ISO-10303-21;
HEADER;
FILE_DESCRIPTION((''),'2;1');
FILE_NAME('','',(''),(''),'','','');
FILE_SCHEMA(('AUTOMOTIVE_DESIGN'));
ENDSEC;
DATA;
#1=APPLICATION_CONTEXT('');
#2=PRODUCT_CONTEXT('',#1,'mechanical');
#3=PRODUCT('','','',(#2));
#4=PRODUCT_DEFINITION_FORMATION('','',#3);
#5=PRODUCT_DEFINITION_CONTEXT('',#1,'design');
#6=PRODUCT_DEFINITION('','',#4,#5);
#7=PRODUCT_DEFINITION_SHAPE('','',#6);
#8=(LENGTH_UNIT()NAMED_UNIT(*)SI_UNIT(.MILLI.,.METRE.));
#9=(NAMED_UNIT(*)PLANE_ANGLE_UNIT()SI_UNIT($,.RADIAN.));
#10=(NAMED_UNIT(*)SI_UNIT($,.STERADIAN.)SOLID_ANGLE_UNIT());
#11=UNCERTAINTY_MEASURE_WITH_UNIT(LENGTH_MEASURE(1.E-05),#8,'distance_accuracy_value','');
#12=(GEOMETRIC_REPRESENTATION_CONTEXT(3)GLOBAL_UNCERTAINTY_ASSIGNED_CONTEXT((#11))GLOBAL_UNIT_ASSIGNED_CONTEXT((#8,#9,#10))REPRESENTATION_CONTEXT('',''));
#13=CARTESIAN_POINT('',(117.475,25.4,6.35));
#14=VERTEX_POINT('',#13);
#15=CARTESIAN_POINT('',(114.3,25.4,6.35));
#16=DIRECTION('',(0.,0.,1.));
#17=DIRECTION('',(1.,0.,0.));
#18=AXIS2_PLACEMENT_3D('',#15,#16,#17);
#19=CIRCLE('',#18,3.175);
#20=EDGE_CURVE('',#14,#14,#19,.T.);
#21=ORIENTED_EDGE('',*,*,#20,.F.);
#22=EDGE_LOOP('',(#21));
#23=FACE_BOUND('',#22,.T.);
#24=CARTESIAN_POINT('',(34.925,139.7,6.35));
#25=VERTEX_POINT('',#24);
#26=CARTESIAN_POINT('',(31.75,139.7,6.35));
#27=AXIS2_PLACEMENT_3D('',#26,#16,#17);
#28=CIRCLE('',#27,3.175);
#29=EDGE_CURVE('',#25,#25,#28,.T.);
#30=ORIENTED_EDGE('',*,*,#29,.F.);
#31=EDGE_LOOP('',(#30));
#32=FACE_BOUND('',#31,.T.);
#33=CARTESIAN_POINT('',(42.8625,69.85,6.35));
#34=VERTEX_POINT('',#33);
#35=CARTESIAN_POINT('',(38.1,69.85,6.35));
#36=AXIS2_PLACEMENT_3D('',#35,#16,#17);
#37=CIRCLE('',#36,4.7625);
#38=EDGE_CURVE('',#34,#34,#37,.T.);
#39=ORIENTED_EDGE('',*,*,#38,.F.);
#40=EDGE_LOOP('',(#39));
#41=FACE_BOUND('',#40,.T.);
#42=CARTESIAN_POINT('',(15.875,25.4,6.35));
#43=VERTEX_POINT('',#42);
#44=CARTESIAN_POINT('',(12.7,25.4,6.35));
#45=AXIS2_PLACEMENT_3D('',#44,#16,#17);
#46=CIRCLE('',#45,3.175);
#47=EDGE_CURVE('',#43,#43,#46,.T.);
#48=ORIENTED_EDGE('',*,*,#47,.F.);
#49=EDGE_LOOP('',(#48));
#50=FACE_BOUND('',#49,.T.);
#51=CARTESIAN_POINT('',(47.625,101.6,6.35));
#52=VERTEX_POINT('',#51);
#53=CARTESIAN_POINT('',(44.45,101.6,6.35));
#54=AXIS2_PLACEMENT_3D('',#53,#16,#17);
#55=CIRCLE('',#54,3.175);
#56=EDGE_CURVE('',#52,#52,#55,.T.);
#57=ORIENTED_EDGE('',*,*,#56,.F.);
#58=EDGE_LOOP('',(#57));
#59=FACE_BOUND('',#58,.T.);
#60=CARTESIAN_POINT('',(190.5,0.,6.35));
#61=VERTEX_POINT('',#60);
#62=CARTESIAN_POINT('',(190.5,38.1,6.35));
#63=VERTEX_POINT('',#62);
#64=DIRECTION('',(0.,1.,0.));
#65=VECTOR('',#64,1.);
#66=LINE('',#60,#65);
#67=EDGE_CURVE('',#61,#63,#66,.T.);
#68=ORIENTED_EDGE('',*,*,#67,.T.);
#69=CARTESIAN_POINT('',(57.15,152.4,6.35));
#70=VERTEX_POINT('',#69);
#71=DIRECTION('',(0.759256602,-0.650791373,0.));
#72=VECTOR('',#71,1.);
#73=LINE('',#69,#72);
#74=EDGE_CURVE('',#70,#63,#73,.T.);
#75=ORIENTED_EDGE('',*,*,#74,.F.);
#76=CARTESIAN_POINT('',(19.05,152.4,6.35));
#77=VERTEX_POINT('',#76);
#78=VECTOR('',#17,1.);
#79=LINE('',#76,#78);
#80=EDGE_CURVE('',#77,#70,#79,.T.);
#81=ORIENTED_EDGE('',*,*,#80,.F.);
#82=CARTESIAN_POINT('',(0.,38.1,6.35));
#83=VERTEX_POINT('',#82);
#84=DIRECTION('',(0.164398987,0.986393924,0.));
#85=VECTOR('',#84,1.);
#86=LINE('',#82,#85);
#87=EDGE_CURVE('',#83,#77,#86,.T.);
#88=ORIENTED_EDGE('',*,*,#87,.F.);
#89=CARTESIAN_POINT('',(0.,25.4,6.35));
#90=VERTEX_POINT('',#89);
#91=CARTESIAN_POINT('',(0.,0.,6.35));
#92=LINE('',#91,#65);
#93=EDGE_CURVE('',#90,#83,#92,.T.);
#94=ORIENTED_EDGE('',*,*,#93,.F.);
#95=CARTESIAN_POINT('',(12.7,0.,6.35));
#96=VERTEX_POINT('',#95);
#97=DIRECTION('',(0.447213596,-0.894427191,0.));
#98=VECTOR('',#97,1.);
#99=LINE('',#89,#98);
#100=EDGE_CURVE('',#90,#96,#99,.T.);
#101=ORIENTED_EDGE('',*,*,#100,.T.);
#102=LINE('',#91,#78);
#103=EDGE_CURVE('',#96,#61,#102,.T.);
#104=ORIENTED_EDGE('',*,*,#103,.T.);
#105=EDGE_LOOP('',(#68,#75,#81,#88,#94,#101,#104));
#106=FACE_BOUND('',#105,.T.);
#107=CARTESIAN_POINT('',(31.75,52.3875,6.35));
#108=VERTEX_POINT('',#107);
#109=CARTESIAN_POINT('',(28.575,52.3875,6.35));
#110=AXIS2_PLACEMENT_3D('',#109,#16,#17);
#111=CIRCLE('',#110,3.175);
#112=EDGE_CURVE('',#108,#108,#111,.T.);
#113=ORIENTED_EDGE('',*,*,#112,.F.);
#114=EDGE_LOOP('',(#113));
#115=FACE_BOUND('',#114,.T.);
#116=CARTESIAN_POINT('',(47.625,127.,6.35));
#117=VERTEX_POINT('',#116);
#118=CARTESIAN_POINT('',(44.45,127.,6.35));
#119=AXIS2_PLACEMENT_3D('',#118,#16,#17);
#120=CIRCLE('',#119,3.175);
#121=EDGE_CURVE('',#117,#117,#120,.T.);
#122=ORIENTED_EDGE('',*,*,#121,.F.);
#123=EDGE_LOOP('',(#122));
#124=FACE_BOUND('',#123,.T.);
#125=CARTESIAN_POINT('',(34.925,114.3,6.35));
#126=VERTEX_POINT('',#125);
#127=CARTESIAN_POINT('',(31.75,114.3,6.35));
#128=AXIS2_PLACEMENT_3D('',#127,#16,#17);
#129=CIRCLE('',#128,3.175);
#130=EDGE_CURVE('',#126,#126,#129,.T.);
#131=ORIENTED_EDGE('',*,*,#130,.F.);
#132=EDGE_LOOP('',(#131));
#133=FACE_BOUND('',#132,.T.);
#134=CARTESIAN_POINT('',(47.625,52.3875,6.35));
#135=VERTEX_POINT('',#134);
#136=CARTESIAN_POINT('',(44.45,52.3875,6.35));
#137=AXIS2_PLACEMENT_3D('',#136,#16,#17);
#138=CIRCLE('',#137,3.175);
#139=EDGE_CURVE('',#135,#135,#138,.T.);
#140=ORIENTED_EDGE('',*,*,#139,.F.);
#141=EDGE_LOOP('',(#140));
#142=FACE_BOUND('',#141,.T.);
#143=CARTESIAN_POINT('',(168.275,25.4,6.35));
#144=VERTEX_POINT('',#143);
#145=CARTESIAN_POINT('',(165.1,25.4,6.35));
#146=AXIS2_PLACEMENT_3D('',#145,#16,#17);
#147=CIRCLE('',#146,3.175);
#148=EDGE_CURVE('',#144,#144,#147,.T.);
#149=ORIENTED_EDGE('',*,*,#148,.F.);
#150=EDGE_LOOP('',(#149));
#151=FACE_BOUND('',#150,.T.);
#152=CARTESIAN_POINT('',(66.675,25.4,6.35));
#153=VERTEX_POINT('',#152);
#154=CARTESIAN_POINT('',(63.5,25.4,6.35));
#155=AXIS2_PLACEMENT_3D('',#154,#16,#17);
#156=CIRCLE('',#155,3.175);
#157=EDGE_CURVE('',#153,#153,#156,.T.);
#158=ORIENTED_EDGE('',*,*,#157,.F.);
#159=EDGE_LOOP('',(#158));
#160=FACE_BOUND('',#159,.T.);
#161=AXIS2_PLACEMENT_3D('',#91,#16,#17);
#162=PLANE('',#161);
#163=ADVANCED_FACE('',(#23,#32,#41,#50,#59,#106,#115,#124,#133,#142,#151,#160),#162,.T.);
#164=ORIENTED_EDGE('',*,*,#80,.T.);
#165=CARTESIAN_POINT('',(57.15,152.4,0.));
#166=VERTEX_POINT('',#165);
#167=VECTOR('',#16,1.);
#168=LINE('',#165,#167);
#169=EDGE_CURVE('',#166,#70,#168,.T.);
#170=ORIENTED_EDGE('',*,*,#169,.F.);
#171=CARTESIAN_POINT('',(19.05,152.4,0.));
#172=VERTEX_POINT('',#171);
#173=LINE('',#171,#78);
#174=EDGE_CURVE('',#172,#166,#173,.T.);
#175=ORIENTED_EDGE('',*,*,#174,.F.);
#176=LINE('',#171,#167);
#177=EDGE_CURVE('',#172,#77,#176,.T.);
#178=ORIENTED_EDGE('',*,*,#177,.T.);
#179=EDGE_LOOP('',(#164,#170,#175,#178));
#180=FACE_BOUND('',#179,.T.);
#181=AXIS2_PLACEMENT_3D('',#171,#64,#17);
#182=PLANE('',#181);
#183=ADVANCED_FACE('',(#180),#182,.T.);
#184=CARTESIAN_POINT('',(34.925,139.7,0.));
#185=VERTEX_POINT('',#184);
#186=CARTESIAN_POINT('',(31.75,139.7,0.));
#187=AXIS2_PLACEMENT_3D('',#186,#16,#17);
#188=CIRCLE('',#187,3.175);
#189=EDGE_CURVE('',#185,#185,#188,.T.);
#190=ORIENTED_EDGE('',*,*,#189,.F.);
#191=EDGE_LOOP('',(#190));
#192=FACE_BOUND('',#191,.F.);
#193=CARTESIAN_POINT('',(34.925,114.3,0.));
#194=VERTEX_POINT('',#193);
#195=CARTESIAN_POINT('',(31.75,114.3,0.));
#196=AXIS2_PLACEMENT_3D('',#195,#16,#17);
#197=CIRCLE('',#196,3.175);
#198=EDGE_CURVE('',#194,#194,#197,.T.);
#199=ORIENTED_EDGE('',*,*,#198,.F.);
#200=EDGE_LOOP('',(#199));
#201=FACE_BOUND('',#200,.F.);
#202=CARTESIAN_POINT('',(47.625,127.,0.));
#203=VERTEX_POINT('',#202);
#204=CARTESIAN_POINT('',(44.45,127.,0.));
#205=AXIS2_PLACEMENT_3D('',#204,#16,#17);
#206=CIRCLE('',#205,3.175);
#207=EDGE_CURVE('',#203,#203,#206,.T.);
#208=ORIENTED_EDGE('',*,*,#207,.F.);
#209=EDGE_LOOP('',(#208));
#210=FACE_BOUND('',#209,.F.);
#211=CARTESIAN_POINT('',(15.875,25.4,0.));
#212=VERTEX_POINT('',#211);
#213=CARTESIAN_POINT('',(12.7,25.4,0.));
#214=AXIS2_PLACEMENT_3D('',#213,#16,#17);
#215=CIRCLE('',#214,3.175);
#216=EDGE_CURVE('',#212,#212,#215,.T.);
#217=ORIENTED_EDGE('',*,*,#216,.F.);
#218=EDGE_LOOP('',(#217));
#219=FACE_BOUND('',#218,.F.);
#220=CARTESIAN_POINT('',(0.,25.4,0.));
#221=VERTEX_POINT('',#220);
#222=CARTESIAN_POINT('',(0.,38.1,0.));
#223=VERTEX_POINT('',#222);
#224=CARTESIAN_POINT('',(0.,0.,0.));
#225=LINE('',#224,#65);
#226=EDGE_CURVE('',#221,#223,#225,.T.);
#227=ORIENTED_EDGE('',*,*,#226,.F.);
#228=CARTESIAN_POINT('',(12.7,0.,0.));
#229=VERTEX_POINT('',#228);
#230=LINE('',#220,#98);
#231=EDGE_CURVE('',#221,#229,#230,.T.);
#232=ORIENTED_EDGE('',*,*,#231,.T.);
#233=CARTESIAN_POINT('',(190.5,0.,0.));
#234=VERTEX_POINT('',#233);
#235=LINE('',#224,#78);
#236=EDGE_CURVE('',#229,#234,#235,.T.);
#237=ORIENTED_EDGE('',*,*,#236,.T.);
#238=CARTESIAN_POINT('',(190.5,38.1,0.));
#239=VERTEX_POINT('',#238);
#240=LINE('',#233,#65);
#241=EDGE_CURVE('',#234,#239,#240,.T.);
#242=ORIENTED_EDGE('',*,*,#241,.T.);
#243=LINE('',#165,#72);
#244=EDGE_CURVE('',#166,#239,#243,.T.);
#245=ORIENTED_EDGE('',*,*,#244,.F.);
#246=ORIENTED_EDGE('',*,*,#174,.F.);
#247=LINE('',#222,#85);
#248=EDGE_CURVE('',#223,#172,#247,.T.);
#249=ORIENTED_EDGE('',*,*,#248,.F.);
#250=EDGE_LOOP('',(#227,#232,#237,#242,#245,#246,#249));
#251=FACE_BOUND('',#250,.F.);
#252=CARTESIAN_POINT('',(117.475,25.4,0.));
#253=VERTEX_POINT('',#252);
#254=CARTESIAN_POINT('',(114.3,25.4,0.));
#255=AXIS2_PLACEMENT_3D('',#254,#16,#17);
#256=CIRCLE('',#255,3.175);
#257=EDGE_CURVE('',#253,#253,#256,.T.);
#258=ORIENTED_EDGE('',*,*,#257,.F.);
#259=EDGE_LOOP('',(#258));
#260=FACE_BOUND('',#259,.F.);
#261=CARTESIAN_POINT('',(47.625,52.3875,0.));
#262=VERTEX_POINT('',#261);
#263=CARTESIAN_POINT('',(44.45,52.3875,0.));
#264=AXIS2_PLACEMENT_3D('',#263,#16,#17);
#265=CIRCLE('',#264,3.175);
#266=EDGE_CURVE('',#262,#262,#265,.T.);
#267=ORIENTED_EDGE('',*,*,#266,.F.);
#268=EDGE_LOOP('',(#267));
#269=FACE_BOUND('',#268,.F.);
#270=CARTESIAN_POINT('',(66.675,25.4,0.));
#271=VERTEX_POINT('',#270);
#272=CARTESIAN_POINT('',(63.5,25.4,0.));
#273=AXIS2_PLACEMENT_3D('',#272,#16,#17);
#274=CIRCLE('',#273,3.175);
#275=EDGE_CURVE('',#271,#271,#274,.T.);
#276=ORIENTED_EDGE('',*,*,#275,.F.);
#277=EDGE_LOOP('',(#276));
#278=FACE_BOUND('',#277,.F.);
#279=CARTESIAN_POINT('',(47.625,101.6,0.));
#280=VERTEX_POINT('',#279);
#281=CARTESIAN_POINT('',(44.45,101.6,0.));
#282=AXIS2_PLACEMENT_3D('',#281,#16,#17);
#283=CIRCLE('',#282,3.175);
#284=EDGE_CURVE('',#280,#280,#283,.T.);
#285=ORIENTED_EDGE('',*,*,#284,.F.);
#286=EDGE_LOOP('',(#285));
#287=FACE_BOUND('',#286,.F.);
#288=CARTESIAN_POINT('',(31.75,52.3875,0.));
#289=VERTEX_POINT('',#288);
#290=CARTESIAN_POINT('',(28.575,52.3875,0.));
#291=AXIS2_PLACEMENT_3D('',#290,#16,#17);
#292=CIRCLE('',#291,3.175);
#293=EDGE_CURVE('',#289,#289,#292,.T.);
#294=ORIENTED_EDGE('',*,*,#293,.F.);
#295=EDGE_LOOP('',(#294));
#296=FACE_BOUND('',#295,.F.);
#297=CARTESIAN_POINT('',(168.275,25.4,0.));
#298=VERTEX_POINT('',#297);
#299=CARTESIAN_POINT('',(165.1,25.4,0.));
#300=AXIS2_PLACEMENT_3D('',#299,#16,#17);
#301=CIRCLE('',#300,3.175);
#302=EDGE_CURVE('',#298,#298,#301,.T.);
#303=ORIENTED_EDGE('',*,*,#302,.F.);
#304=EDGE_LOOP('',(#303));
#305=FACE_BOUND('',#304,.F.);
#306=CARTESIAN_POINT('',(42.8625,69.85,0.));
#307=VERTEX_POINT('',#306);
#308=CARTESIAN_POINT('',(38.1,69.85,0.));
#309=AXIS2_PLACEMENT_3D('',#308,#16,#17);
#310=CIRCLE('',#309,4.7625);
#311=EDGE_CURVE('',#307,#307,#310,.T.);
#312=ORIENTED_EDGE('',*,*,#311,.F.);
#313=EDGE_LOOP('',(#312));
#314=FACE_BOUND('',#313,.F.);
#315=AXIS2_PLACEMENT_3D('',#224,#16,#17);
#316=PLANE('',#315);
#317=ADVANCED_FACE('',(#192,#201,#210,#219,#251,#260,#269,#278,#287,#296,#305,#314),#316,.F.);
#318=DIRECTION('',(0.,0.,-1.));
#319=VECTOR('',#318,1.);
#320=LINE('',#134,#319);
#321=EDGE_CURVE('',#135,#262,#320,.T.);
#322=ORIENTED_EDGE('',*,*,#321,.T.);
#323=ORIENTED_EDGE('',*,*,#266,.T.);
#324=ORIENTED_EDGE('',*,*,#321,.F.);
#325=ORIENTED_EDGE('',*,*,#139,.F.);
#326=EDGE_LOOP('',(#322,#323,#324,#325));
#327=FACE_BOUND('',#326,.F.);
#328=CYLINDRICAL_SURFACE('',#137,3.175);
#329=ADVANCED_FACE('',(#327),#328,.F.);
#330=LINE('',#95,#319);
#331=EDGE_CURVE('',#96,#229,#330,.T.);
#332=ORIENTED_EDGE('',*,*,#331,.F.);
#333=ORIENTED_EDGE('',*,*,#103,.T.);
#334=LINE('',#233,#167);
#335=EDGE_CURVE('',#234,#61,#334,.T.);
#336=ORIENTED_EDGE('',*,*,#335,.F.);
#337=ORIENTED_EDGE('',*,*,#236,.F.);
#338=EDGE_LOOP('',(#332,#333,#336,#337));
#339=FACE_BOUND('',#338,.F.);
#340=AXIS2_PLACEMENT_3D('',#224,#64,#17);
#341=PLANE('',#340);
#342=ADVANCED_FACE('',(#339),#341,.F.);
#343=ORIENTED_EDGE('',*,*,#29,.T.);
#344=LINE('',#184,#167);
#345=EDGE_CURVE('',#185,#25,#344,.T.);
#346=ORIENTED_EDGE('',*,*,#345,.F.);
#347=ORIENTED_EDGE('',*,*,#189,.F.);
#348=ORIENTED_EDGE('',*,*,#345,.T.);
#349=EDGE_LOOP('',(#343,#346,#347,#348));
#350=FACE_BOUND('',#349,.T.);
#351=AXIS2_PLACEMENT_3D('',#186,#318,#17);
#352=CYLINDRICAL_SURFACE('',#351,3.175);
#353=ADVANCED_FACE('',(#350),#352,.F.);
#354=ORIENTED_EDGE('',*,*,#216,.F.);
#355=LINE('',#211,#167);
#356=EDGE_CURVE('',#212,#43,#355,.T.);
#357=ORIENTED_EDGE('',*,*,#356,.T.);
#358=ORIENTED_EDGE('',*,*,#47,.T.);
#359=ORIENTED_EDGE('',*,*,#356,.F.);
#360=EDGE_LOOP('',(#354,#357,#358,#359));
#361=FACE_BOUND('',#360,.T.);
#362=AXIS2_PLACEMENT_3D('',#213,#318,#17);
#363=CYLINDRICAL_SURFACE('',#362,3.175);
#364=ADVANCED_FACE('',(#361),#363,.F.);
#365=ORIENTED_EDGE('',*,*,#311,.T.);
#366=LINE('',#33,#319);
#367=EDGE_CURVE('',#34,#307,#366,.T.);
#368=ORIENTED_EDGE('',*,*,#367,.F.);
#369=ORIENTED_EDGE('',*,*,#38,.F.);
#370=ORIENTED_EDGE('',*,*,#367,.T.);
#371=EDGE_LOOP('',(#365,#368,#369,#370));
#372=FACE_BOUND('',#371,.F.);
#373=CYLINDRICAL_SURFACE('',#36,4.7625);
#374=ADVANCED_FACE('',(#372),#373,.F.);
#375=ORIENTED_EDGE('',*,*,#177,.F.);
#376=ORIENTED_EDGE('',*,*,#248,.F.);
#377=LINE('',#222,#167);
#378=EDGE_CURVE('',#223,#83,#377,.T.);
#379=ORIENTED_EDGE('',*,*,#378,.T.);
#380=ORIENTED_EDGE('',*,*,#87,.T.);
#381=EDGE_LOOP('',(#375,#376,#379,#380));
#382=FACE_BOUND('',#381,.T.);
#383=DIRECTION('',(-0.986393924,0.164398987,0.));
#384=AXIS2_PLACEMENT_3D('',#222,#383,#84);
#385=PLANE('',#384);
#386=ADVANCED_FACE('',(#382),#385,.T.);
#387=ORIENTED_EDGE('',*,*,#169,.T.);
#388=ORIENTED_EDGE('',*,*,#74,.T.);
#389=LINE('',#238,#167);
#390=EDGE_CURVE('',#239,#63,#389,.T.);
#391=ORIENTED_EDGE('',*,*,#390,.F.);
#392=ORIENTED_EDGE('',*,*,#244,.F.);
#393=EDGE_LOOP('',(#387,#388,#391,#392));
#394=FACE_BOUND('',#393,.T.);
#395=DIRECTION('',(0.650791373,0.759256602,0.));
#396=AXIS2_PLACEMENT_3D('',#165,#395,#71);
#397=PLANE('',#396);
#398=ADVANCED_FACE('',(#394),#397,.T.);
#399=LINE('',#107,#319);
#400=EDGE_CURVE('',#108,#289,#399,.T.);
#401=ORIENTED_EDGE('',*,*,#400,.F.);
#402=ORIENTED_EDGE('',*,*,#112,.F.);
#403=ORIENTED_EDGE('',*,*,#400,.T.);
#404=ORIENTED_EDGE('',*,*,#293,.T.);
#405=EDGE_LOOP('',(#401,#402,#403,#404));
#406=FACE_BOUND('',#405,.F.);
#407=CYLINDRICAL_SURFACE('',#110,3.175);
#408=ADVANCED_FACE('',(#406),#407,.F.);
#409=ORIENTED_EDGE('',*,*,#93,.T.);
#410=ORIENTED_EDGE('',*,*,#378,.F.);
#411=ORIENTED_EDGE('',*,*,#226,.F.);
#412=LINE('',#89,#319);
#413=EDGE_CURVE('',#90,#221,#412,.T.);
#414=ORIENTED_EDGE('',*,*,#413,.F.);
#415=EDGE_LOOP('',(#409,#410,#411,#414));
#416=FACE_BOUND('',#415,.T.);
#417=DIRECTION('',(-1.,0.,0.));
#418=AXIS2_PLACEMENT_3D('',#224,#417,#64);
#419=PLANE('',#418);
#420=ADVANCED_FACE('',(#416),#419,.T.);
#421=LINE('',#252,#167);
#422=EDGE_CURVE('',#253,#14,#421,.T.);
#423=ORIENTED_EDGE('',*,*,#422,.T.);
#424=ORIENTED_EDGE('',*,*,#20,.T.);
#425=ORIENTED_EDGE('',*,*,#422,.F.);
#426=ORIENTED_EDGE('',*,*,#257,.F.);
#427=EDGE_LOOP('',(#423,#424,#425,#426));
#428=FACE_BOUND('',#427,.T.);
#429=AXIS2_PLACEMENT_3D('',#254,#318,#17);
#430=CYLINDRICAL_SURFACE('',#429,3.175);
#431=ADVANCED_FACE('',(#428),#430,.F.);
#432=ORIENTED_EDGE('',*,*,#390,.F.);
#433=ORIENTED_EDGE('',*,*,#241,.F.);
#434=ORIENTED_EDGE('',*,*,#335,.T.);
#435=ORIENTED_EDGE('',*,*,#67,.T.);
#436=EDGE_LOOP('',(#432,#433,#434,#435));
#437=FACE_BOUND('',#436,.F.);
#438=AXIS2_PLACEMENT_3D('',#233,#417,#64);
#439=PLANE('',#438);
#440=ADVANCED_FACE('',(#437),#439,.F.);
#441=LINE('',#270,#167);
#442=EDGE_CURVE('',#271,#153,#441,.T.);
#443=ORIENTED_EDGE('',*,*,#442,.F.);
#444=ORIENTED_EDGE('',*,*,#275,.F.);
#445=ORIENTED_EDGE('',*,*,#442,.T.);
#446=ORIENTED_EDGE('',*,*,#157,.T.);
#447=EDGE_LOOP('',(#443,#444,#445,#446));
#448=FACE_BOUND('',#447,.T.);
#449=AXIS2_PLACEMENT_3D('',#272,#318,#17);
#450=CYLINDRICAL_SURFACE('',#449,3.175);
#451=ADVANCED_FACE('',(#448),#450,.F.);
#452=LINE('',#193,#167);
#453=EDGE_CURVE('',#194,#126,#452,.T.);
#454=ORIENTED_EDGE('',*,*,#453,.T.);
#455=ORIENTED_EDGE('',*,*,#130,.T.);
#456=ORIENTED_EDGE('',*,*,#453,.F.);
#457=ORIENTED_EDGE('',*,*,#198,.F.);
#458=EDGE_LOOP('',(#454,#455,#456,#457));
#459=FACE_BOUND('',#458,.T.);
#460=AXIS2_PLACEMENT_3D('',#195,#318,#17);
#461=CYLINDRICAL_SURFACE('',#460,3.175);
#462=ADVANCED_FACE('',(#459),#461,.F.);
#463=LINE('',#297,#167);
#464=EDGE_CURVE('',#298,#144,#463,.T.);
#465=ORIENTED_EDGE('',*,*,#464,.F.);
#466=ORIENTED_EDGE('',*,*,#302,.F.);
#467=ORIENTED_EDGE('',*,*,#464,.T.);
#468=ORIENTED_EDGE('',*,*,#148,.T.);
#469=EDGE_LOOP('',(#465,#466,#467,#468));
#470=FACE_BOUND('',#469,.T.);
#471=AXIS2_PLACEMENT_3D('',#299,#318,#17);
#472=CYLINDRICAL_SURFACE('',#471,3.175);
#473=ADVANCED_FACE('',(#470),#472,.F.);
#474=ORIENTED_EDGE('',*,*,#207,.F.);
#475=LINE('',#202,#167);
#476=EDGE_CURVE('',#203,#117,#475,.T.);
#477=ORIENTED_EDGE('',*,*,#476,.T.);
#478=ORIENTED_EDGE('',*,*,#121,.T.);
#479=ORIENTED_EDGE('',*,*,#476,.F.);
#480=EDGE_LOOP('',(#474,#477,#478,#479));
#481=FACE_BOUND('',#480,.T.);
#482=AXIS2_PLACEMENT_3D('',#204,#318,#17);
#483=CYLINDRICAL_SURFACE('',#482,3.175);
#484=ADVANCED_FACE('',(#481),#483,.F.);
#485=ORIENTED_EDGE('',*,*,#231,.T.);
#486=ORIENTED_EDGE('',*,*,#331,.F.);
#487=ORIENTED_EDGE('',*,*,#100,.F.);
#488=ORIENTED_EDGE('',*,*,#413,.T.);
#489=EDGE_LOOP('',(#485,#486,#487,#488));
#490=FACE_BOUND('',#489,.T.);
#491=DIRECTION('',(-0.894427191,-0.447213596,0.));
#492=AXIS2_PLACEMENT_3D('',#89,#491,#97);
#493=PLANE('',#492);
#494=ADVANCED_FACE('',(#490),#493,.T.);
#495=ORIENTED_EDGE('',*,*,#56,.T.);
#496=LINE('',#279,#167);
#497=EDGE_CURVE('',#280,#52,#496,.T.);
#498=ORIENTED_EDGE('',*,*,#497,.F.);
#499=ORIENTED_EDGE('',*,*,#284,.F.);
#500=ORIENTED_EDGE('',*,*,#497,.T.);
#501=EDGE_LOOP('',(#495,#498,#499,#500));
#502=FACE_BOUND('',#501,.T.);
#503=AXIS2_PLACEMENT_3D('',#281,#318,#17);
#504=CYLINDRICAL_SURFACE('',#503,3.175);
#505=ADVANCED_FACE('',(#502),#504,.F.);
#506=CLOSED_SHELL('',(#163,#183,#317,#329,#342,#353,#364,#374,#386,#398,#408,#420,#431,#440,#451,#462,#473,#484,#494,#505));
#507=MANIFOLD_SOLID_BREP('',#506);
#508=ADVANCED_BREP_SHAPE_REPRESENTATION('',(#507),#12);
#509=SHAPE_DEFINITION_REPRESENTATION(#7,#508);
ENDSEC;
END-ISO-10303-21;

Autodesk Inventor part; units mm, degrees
ref_plane "YZ Plane" through (0, 0, 0) normal (1, 0, 0) x (0, 1, 0)
ref_plane "XZ Plane" through (0, 0, 0) normal (0, 1, 0) x (-1, 0, 0)
ref_plane "XY Plane" through (0, 0, 0) normal (0, 0, 1) x (1, 0, 0)
sketch "Sketch1" plane through (0, 0, 0) normal (0, 0, 1) x (1, 0, 0)
  line L0 (0, 0) -> (190.5, 0) construction
  line L1 (190.5, 0) -> (190.5, 152.4) construction
  line L2 (190.5, 152.4) -> (0, 152.4) construction
  line L3 (0, 152.4) -> (0, 0) construction
  line L4 (0, 0) -> (190.5, 0)
  line L5 (0, 0) -> (0, 38.1)
  line L6 (0, 0) -> (38.1, 0) construction
  line L7 (190.5, 0) -> (190.5, 38.1)
  line L8 (190.5, 0) -> (228.6, 0) construction
  line L9 (190.5, 152.4) -> (57.15, 152.4) construction
  line L10 (190.5, 152.4) -> (323.85, 152.4) construction
  line L11 (57.15, 152.4) -> (19.05, 152.4) construction
  line L12 (0, 38.1) -> (19.05, 152.4)
  line L13 (19.05, 152.4) -> (57.15, 152.4)
  line L14 (57.15, 152.4) -> (190.5, 38.1)
  circle A0 centre (12.7, 25.4) radius 3.175
  circle A1 centre (63.5, 25.4) radius 3.175
  circle A2 centre (31.75, 139.7) radius 3.175
  circle A3 centre (44.45, 127) radius 3.175
  circle A4 centre (31.75, 114.3) radius 3.175
  circle A5 centre (44.45, 101.6) radius 3.175
  circle A6 centre (114.3, 25.4) radius 3.175
  circle A7 centre (165.1, 25.4) radius 3.175
  dimension "d0" = 190.5
  dimension "d1" = 152.4
  dimension "d2" = 12.7
  dimension "d3" = 50.8
  dimension "d8" = 25.4
  dimension "d9" = 25.4
  dimension "d10" = 38.1
  dimension "d11" = 90
  dimension "d12" = 38.1
  dimension "d13" = 90
  dimension "d14" = 133.35
  dimension "d15" = 180
  dimension "d16" = 38.1
  dimension "d17" = 12.7
  dimension "d18" = 12.7
  dimension "d19" = 12.7
  dimension "d20" = 12.7
  dimension "d21" = 12.7
  dimension "d22" = 25.4
  dimension "d23" = 38.1
  dimension "d24" = 50.8
  dimension "d25" = 6.35
  dimension "d26" = 6.35
  dimension "d29" = 6.35
  dimension "d30" = 6.35
  dimension "d31" = 6.35
  dimension "d32" = 6.35
  dimension "d35" = 50.8
  dimension "d36" = 50.8
  dimension "d38" = 6.35
  dimension "d39" = 6.35
  dimension "d46" = 25.4
  dimension "d47" = 25.4
extrude "Extrusion4" add sketch "Sketch1" along normal blind 6.35
sketch "Sketch3" plane through (0, 0, 6.35) normal (0, 0, 1) x (1, 0, 0)
  line L0 (0, 0) -> (0, 25.4)
  line L1 (0, 38.1) -> (0, 0) projected
  line L2 (0, 0) -> (12.7, 0)
  line L3 (0, 0) -> (190.5, 0) projected
  line L4 (0, 25.4) -> (12.7, 0)
  dimension "d50" = 25.4
  dimension "d51" = 12.7
extrude "Extrusion5" cut sketch "Sketch3" against normal blind 6.35
sketch "Sketch4" plane through (0, 0, 6.35) normal (0, 0, 1) x (1, 0, 0)
  line L0 (0, 38.1) -> (0, 25.4) projected
  line L1 (12.7, 0) -> (190.5, 0) projected
  circle A0 centre (28.575, 52.3875) radius 3.175
  circle A1 centre (44.45, 52.3875) radius 3.175
  circle A2 centre (38.1, 69.85) radius 4.7625
  point P0 (0, 0)
  dimension "d54" = 28.575
  dimension "d55" = 44.45
  dimension "d56" = 52.3875
  dimension "d57" = 52.3875
  dimension "d58" = 69.85
  dimension "d59" = 38.1
  dimension "d60" = 6.35
  dimension "d61" = 6.35
  dimension "d62" = 9.525
extrude "Extrusion6" cut sketch "Sketch4" against normal blind 6.35
properties part number "rail mounting bracket"
